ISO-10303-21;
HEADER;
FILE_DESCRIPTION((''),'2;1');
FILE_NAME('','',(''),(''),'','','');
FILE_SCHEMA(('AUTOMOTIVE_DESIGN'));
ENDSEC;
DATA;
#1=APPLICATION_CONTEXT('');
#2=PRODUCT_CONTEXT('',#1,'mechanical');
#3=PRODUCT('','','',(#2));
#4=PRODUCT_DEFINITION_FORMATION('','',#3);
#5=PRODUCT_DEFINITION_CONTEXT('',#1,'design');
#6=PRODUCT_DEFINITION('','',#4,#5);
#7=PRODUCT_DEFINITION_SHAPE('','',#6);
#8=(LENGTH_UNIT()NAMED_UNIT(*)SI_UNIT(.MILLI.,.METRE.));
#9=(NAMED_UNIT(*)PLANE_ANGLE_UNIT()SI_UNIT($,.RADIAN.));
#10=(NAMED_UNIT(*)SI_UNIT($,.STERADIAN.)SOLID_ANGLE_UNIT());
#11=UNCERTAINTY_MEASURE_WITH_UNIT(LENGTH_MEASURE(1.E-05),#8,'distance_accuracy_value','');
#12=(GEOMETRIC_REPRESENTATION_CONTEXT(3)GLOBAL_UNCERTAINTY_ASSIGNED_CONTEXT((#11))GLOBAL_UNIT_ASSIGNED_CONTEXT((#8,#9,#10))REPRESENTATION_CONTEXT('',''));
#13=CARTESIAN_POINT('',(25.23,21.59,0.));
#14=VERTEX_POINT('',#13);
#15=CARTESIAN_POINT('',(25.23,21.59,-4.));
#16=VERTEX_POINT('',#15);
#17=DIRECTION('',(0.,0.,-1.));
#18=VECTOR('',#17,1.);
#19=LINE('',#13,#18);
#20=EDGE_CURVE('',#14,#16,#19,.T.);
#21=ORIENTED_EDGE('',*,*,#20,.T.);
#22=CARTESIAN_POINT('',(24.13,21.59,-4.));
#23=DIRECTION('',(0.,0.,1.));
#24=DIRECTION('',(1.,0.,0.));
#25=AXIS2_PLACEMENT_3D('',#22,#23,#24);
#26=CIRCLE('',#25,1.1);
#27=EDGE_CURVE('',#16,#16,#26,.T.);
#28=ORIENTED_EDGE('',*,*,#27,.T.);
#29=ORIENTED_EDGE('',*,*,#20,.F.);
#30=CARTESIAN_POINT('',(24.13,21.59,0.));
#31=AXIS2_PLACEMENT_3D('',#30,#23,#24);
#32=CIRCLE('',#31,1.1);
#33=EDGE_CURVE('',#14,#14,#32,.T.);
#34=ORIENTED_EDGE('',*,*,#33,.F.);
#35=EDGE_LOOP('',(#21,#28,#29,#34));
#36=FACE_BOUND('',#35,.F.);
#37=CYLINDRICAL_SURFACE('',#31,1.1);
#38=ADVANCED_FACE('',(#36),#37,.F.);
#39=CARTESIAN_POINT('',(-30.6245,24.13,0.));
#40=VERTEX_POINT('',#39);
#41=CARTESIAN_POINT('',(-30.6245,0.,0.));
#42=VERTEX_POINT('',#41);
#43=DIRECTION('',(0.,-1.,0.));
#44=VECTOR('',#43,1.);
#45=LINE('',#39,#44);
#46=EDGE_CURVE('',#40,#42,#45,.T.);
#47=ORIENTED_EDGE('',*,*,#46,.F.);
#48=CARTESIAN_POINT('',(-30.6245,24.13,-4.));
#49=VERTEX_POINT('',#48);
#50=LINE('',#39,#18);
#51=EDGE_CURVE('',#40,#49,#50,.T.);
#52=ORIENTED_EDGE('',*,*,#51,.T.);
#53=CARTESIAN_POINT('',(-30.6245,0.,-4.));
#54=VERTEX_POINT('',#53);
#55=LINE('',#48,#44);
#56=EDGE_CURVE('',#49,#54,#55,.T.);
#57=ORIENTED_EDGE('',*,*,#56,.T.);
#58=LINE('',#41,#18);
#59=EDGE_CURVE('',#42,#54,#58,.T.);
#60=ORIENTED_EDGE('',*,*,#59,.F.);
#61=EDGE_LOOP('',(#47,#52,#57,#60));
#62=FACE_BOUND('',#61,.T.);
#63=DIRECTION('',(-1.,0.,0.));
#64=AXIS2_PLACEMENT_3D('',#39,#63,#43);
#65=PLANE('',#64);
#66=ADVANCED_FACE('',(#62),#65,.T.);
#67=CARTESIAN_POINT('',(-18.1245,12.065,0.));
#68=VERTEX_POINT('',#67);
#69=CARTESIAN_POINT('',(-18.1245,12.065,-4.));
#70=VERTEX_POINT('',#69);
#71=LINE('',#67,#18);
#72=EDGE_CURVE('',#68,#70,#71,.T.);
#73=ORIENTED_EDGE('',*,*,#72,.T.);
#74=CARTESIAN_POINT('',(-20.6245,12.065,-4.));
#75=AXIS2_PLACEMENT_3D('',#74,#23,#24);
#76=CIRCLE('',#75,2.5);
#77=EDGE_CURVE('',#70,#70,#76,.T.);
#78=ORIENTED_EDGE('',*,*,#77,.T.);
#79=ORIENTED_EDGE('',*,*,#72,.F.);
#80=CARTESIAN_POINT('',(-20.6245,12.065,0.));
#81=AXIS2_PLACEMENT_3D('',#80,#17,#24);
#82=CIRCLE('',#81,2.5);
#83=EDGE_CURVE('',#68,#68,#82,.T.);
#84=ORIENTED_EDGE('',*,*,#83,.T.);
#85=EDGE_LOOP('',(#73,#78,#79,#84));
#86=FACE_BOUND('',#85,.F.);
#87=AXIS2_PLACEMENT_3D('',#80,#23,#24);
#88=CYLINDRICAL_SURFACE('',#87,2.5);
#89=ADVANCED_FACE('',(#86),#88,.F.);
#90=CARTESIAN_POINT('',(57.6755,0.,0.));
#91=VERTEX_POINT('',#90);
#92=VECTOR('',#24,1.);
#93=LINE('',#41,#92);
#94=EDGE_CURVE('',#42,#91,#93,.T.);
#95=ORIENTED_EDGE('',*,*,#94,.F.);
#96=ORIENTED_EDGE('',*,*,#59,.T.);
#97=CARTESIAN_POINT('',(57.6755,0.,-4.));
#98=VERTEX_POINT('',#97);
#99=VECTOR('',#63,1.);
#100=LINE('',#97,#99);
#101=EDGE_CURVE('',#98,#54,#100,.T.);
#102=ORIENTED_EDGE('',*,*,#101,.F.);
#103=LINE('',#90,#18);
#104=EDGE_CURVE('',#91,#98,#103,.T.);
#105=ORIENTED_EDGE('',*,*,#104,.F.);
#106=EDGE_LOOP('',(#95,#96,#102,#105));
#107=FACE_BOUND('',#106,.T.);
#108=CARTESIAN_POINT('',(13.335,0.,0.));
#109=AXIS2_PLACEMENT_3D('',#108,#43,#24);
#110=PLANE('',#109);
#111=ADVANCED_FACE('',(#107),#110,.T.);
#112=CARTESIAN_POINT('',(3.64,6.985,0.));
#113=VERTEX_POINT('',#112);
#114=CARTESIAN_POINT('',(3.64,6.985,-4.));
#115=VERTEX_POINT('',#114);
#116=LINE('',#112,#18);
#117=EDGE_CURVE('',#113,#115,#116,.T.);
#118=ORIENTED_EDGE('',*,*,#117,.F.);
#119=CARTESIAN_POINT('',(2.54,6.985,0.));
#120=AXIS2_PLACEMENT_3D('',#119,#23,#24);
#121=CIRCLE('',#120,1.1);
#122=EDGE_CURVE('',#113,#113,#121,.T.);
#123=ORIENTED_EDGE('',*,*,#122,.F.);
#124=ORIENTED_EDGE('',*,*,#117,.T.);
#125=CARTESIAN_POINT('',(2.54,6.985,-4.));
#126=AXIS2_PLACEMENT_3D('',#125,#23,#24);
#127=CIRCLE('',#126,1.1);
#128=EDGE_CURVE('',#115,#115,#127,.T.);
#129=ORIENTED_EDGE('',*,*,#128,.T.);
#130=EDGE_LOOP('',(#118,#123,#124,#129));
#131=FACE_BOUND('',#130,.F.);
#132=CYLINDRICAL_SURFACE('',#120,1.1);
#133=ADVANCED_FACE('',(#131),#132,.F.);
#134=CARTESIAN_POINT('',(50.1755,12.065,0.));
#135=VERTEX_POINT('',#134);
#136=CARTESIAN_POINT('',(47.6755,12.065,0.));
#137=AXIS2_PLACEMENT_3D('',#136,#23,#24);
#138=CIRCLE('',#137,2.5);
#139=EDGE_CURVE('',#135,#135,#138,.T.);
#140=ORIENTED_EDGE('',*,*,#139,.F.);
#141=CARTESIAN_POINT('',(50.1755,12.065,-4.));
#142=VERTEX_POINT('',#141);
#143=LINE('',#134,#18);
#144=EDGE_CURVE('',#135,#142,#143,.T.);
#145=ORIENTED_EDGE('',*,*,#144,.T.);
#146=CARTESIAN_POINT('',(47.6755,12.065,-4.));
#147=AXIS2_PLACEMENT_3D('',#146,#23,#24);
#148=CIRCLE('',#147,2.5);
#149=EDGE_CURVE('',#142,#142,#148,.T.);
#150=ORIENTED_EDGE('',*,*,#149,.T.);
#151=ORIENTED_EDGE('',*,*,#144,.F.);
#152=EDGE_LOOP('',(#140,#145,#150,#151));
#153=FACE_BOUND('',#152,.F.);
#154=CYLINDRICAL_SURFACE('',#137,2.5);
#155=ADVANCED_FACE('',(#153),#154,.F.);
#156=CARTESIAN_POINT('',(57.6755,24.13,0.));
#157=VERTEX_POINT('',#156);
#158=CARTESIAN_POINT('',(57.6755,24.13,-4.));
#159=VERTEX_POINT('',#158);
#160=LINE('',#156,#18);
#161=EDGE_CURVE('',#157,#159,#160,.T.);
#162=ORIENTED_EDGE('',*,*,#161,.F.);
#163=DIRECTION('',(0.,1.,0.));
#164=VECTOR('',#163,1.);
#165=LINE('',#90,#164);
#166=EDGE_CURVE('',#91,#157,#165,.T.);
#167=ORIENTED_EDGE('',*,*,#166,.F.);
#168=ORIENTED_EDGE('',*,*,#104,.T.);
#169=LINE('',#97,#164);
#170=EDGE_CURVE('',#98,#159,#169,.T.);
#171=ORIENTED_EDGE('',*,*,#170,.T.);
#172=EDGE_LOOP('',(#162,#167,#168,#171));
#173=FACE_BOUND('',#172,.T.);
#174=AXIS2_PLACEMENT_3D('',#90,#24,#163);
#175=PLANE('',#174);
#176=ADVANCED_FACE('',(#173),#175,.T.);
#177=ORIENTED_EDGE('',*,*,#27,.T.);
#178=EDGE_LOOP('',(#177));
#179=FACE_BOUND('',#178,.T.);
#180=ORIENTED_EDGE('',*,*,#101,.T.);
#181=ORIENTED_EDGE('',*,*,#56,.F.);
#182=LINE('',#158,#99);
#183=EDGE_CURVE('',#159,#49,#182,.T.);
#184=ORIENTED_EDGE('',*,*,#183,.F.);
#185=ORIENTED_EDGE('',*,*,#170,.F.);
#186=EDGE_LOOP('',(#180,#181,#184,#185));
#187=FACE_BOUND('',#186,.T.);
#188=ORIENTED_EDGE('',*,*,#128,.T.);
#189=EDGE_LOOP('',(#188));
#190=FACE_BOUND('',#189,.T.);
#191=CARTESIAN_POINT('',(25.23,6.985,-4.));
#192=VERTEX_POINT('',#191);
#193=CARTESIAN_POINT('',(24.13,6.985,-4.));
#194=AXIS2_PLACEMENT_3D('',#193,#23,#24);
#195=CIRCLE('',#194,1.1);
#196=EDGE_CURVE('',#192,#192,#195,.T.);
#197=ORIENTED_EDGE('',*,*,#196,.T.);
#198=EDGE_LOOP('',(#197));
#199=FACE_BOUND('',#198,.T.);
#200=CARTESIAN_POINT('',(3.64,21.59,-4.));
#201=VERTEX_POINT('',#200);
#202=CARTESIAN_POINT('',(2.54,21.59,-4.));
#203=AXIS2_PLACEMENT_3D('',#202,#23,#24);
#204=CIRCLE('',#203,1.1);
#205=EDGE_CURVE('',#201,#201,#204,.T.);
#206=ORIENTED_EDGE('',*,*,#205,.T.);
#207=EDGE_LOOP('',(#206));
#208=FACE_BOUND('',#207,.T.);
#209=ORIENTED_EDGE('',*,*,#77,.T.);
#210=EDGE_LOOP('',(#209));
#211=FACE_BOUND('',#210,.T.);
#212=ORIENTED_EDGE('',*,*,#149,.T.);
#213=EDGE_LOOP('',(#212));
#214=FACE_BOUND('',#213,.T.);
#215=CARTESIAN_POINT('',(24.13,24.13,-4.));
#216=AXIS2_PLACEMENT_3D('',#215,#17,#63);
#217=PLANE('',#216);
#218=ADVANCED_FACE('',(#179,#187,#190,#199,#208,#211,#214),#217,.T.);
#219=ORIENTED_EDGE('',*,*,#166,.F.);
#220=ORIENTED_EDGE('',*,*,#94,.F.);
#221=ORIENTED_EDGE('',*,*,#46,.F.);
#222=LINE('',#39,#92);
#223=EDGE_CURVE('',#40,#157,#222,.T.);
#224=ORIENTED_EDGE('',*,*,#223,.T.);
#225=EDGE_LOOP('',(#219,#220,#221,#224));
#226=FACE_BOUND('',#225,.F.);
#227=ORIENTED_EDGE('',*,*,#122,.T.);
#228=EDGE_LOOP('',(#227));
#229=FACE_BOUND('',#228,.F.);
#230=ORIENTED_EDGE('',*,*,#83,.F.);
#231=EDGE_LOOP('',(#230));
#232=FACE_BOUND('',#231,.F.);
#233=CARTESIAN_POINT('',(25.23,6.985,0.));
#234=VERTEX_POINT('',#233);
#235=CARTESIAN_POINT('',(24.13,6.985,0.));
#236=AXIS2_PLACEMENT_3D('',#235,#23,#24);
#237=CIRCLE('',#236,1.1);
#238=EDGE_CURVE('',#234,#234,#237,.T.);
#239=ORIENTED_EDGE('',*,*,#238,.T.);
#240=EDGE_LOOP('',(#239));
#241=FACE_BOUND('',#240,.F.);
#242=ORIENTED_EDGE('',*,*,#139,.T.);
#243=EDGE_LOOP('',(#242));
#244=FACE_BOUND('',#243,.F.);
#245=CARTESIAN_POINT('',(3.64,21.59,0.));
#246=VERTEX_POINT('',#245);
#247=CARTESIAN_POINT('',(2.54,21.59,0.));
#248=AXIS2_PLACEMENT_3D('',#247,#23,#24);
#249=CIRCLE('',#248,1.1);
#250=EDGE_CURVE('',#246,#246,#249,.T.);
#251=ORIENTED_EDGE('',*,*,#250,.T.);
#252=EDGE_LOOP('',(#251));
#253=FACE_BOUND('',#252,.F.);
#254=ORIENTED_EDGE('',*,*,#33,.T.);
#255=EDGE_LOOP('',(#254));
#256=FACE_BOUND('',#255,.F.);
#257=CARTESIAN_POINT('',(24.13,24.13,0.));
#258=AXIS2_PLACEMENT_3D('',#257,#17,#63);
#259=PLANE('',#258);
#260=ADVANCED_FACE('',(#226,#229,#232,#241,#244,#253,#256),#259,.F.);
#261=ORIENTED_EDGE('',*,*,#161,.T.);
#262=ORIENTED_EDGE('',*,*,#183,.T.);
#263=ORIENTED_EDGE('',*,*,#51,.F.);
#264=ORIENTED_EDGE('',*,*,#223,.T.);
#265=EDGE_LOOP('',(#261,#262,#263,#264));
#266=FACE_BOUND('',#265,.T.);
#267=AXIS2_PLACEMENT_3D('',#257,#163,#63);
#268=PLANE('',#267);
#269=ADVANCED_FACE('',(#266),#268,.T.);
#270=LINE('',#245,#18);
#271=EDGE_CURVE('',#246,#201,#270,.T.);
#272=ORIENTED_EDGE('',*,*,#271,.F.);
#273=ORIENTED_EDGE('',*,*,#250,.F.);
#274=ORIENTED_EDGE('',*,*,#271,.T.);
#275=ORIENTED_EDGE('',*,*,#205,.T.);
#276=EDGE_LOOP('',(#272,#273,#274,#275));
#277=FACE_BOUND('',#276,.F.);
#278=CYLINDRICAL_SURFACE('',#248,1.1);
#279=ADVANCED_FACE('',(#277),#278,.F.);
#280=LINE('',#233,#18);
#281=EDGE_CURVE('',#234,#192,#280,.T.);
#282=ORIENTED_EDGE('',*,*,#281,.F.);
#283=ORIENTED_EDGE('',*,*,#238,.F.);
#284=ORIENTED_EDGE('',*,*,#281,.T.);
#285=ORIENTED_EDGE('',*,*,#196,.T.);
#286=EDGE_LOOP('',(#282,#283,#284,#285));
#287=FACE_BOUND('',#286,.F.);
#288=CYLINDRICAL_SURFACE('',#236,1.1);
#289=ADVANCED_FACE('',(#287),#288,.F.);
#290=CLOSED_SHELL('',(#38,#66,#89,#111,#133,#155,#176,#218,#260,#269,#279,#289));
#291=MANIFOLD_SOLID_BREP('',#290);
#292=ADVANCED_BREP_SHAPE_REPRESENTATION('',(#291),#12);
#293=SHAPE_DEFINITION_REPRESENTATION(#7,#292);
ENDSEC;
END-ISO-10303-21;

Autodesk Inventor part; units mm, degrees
ref_plane "YZ Plane" through (0, 0, 0) normal (1, 0, 0) x (0, 1, 0)
ref_plane "Work Plane1" through (24.13, 24.13, 0) normal (0, 0, -1) x (-1, 0, 0)
sketch "Sketch1" plane through (24.13, 24.13, 0) normal (0, 0, -1) x (-1, 0, 0)
  line L0 (0, 0) -> (21.59, 0) projected
  line L1 (-2.54, -21.59) -> (-2.54, -2.54) projected
  line L2 (-2.54, -2.54) -> (-2.54, 0)
  line L3 (-2.54, 0) -> (0, 0)
  line L4 (24.13, -24.13) -> (-2.54, -24.13)
  line L5 (-2.54, -24.13) -> (-2.54, 0)
  line L6 (-2.54, 0) -> (24.13, 0)
  line L7 (24.13, 0) -> (24.13, -24.13)
  line L8 (10.795, -24.13) -> (10.414, 0)
  line L9 (24.13, -12.065) -> (10.6045, -12.065)
  line L10 (-33.5455, 0) -> (54.7545, 0)
  line L11 (54.7545, 0) -> (54.7545, -24.13)
  line L12 (54.7545, -24.13) -> (-33.5455, -24.13)
  line L13 (-33.5455, -24.13) -> (-33.5455, 0)
  line L14 (-33.5455, 0) -> (54.7545, -24.13) construction
  line L15 (54.7545, 0) -> (-33.5455, -24.13) construction
  dimension "d1" = 88.3
extrude "Extrusion1" add sketch "Sketch1" along normal blind 4
sketch "Sketch2" plane through (24.13, 24.13, 0) normal (0, 0, 1) x (1, 0, 0)
  circle A0 centre (-21.59, -17.145) radius 1.1 projected
  circle A1 centre (-21.59, -17.145) radius 1.1
  circle A2 centre (0, -17.145) radius 1.1 projected
  circle A3 centre (0, -17.145) radius 1.1
  circle A4 centre (0, -2.54) radius 1.1 projected
  circle A5 centre (0, -2.54) radius 1.1
  circle A6 centre (-21.59, -2.54) radius 1.1 projected
  circle A7 centre (-21.59, -2.54) radius 1.1
  point P0 (-24.13, -24.13)
extrude "Extrusion2" cut sketch "Sketch2" against normal blind 4
ref_plane "Work Plane2" through (24.13, 24.13, 0) normal (0, 0, 1) x (1, 0, 0)
sketch "Sketch3" plane through (24.13, 24.13, 0) normal (0, 0, 1) x (1, 0, 0)
  line L0 (-54.7545, -24.13) -> (-54.7545, 0) projected
  line L1 (-54.7545, -12.065) -> (-44.7545, -12.065)
  line L2 (33.5455, 0) -> (33.5455, -24.13) projected
  line L3 (33.5455, -12.065) -> (23.5455, -12.065)
  circle A0 centre (-44.7545, -12.065) radius 2.5
  circle A1 centre (23.5455, -12.065) radius 2.5
  point P0 (-24.13, -24.13)
  dimension "d6" = 10
  dimension "d7" = 10
  dimension "d8" = 5
  dimension "d9" = 5
extrude "Extrusion3" cut sketch "Sketch3" against normal blind 4
properties part number "A4988_driver_holder"
